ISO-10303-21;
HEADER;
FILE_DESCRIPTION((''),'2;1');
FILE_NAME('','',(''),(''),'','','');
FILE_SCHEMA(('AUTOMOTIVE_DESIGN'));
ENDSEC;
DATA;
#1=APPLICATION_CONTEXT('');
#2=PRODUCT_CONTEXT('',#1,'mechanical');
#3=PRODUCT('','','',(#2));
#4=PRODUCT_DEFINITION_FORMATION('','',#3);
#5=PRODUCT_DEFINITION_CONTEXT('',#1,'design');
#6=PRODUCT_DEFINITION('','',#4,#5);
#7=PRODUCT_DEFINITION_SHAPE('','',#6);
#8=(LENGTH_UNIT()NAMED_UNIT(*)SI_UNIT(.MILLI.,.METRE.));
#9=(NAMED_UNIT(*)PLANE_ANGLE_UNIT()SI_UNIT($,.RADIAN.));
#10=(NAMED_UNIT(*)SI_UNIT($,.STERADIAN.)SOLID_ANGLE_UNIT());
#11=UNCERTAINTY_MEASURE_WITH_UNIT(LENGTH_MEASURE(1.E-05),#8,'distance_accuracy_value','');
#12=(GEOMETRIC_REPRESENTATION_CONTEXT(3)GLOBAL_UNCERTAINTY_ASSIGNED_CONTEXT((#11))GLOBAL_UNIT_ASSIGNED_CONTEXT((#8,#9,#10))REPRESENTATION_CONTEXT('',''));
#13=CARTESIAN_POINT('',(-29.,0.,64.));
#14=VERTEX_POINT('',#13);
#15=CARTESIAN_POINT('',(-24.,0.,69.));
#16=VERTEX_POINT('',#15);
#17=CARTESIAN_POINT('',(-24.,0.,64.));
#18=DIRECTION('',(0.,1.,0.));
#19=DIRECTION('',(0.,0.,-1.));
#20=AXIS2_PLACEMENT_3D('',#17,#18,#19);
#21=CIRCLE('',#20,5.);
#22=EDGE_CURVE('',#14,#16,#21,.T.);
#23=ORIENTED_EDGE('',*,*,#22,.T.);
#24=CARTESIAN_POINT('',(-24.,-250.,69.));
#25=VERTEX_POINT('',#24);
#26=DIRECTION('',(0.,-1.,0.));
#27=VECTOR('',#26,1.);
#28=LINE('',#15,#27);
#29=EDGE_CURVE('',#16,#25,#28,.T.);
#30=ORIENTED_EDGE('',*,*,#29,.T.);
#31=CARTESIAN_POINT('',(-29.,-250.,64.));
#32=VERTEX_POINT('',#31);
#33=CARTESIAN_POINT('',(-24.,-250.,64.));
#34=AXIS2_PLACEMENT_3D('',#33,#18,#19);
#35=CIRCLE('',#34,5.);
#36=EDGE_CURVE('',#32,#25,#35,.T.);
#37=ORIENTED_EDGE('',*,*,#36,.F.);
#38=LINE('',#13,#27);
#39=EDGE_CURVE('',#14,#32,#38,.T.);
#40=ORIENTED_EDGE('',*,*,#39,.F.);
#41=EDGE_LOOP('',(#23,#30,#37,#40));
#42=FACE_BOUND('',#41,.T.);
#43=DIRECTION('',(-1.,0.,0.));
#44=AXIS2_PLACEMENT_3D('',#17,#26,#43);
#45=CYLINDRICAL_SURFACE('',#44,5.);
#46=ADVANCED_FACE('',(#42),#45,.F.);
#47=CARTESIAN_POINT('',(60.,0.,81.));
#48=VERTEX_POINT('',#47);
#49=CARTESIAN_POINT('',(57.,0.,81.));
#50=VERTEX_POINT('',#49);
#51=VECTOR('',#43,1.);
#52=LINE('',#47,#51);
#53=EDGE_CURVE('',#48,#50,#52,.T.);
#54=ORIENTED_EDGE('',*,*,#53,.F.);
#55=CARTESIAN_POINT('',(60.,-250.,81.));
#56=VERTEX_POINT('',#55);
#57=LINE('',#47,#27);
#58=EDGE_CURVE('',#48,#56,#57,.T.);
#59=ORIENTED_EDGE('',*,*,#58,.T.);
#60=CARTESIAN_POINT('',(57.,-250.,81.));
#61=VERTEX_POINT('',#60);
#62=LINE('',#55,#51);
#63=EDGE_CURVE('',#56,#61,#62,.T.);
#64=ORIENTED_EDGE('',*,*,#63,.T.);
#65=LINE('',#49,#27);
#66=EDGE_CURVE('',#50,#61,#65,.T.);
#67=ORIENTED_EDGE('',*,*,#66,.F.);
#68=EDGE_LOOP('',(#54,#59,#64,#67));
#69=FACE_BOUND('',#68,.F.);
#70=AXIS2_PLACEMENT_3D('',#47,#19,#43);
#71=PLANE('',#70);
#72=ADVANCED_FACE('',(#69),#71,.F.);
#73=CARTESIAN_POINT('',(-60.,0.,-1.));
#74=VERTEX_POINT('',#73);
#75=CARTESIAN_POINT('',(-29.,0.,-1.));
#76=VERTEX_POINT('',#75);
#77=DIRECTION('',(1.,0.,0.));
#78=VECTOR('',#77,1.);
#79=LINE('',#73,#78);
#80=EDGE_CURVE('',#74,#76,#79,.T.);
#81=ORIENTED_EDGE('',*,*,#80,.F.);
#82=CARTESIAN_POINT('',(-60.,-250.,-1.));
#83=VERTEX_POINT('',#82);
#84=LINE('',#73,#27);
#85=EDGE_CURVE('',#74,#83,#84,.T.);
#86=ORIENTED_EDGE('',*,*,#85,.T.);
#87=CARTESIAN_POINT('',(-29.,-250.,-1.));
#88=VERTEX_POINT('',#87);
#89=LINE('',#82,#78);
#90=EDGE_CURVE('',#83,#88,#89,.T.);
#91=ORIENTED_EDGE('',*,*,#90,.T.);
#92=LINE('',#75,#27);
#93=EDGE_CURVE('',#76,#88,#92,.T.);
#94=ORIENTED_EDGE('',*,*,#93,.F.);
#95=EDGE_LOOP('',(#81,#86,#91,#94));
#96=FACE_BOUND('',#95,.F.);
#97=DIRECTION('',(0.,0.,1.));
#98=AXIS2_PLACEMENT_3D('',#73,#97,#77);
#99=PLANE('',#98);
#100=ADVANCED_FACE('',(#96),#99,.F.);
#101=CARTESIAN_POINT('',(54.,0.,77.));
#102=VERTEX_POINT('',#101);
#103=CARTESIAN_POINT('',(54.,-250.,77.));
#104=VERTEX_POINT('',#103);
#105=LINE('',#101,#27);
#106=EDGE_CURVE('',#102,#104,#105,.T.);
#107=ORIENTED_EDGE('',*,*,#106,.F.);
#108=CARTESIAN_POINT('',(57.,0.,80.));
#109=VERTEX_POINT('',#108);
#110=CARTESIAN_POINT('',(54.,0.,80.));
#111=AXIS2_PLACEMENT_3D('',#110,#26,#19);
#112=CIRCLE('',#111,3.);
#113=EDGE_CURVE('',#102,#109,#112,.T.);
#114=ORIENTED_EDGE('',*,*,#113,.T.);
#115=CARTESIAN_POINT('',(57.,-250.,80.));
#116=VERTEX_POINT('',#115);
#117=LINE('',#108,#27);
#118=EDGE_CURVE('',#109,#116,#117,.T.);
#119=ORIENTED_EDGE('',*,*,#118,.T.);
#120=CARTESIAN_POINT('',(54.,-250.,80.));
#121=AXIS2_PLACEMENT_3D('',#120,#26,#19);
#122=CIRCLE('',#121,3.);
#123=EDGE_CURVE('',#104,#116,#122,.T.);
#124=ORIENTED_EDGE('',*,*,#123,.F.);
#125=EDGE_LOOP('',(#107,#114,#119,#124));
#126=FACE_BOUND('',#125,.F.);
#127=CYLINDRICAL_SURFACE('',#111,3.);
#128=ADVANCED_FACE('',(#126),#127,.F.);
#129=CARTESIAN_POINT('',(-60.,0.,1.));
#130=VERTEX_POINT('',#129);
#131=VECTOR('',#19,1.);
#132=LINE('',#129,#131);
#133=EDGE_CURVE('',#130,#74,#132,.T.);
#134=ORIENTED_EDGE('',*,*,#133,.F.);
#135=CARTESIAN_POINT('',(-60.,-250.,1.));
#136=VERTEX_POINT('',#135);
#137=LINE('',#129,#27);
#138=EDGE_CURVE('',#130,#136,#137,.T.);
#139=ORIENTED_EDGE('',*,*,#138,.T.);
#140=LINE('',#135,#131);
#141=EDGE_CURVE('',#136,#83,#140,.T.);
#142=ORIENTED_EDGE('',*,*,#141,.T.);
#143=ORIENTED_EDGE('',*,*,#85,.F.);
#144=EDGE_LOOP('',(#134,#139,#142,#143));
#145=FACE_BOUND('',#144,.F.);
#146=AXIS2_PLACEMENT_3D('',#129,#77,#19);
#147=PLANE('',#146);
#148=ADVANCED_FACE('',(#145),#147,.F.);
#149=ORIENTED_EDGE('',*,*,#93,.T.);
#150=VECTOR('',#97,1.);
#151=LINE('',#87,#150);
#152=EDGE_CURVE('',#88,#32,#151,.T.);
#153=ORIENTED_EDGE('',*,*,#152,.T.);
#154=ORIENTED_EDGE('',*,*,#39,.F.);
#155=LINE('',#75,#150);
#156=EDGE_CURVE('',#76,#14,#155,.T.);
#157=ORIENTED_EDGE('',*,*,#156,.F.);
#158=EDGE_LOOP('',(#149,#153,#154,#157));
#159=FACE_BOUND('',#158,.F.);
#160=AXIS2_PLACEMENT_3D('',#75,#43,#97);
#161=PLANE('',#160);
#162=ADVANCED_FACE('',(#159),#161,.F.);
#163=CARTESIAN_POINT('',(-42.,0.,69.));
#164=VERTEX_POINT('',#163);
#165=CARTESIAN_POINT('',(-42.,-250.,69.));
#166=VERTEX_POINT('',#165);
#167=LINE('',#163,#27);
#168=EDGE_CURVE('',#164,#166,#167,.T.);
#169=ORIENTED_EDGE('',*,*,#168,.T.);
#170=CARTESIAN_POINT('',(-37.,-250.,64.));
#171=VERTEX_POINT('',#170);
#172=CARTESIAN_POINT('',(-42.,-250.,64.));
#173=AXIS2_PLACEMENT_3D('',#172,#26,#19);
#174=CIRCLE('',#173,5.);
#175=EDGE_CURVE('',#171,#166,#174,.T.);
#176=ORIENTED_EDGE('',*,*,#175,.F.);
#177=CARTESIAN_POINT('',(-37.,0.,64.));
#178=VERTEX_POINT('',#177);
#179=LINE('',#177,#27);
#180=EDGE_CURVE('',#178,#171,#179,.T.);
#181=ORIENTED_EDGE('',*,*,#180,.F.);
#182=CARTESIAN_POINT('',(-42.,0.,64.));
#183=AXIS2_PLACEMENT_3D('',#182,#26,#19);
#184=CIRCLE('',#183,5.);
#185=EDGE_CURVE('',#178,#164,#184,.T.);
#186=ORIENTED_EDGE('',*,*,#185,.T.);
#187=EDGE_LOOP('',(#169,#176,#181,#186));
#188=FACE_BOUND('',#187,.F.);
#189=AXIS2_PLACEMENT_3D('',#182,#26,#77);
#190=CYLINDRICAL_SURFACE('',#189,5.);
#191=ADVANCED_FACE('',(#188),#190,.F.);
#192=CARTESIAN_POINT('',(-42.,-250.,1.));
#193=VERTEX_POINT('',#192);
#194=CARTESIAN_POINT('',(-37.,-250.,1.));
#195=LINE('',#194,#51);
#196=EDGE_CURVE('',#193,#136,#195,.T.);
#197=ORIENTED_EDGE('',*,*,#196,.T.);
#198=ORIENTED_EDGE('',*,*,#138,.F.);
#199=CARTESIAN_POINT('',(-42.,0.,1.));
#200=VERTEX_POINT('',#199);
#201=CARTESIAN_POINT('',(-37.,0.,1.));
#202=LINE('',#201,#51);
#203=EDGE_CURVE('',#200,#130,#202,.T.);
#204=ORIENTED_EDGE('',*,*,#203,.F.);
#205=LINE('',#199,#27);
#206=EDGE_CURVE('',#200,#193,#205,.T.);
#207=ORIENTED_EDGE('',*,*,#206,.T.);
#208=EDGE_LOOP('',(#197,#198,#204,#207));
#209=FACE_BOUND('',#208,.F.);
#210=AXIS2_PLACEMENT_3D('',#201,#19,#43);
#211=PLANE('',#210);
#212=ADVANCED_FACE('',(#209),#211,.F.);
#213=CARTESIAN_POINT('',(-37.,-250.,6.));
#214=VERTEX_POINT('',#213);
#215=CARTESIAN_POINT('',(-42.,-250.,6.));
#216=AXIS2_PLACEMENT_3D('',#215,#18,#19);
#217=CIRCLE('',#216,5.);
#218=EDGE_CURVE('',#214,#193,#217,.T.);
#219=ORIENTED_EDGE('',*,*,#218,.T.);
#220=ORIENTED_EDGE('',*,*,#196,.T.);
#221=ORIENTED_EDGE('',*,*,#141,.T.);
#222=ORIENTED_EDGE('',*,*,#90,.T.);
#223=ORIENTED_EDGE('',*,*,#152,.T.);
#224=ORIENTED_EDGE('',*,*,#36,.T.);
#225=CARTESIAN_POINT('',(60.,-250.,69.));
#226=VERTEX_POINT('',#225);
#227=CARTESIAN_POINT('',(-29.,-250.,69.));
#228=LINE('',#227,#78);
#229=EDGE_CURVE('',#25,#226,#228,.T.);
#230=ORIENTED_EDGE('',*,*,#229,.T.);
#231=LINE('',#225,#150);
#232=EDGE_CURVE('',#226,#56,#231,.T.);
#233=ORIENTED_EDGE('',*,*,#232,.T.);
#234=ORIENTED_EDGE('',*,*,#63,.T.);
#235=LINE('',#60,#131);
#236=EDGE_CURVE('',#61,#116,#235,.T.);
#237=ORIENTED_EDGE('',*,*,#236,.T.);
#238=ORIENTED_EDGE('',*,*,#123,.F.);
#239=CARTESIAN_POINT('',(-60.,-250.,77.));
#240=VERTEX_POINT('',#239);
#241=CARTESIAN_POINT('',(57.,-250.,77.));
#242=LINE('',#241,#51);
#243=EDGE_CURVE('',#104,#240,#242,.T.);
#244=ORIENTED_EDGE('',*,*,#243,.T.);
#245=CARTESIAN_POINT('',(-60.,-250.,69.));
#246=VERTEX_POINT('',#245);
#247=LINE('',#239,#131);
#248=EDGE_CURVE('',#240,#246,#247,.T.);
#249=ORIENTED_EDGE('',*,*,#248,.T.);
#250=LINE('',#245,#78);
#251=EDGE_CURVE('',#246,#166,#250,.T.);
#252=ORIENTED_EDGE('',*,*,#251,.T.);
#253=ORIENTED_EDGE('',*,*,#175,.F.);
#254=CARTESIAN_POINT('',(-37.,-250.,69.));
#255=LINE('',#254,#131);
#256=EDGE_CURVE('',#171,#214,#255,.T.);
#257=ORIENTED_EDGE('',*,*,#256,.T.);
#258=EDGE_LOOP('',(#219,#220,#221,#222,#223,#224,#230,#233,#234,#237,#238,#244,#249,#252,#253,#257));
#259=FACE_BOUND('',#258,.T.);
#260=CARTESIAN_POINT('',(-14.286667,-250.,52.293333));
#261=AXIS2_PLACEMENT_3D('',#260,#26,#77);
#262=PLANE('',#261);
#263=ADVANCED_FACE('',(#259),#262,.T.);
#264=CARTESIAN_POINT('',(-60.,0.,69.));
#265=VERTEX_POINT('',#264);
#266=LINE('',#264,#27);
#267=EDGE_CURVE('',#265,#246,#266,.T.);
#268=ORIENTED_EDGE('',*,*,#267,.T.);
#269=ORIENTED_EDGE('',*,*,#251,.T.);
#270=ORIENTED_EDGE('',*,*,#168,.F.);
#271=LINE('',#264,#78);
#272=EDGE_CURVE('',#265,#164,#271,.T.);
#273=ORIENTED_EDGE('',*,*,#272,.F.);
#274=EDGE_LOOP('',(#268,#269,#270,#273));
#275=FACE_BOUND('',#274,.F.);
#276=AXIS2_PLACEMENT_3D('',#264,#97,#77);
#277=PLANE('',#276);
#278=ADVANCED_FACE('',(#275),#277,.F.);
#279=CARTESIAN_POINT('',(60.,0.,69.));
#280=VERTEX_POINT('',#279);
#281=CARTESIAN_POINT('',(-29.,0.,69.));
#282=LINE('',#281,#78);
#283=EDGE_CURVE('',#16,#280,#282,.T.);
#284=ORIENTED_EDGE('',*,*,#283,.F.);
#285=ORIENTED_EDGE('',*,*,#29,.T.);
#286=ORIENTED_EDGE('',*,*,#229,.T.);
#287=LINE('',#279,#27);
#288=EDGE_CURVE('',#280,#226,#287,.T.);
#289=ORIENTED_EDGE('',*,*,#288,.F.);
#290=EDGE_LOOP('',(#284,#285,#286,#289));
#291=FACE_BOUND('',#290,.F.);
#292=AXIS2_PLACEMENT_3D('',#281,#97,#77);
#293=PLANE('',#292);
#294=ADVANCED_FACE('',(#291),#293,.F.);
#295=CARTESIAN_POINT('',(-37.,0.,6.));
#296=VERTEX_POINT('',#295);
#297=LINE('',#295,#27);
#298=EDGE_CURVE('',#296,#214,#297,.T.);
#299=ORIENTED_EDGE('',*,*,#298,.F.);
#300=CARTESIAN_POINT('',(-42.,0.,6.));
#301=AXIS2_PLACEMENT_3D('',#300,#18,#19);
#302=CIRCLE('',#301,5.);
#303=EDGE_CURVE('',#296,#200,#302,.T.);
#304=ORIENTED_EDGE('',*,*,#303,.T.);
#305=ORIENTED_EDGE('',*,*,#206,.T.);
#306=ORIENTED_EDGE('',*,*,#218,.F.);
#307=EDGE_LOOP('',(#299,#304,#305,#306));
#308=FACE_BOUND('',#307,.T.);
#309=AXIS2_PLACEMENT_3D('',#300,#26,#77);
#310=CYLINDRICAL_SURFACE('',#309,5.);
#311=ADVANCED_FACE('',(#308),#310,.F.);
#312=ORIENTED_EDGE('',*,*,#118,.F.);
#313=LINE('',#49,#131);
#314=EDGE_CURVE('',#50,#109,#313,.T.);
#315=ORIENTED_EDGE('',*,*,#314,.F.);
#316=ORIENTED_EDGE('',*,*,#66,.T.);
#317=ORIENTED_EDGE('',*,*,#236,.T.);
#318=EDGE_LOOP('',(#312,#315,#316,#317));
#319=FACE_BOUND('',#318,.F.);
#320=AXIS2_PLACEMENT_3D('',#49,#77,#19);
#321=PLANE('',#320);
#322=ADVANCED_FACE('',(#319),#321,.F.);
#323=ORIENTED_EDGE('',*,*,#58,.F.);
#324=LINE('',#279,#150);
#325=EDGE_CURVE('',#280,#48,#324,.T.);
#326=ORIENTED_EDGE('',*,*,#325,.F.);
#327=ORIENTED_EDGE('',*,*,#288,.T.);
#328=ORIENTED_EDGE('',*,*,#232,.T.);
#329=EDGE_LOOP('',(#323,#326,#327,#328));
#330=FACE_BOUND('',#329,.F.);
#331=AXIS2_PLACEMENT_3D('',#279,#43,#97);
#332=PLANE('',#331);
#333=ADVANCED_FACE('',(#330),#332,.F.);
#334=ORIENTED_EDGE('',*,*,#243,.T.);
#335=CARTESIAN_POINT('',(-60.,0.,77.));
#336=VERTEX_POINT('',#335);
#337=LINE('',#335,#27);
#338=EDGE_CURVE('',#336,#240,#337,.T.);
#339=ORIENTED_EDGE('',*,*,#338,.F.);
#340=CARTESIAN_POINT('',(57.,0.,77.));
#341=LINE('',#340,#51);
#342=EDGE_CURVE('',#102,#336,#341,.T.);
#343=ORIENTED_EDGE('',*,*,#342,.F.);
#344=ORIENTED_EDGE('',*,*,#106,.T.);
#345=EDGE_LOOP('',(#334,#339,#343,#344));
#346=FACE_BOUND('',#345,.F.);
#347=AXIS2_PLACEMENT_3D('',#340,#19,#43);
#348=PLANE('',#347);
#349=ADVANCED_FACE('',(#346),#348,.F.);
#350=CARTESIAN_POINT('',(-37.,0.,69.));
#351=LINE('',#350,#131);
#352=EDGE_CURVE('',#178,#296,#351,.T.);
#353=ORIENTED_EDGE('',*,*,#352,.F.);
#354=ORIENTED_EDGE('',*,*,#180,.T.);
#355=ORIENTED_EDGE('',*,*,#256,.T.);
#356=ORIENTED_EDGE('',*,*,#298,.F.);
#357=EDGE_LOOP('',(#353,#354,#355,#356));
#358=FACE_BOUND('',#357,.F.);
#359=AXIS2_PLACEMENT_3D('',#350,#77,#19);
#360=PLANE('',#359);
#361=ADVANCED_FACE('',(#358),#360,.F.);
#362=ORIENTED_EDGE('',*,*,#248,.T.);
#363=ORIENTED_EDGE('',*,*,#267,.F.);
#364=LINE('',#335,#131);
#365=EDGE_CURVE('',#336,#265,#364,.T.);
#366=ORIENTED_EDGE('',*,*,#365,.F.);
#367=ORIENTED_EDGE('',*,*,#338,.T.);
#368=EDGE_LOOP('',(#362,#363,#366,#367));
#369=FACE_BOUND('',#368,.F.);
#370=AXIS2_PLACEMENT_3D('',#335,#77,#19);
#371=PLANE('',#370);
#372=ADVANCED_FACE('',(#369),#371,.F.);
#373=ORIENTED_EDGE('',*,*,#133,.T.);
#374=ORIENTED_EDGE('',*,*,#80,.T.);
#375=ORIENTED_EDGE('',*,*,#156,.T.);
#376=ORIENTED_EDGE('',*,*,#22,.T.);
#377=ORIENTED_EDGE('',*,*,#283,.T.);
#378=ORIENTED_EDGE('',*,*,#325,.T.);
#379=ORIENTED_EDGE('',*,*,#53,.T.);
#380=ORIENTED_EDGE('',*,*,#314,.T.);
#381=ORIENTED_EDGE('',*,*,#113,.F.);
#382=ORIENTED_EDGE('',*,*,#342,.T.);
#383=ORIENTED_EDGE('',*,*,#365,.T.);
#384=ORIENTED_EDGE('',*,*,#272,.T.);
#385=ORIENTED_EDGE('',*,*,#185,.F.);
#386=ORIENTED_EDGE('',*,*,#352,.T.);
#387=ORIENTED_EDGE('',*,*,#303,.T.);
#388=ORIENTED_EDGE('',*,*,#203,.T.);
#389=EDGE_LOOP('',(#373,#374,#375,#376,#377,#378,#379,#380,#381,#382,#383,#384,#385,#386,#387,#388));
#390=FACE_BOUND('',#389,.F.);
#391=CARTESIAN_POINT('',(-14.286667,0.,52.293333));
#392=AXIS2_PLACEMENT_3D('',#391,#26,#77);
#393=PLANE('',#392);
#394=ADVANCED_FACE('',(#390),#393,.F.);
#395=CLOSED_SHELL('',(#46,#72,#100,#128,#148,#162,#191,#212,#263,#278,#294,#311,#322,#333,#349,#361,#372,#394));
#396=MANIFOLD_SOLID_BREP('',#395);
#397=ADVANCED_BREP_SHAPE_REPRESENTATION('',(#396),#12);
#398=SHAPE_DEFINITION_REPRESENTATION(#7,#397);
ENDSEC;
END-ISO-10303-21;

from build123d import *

# Parameters (mm, degrees)
PAD_DEPTH   = 250
FILLET_R    = 5
FILLET001_R = 5
FILLET002_R = 5
FILLET003_R = 3


with BuildPart() as part:
    # Sketch → Pad (new body)
    with BuildSketch(Plane.XZ):
        Polygon((57, 77), (-60, 77), (-60, 69), (-37, 69), (-37, 1), (-60, 1), (-60, -1), (-37, -1), (-29, -1), (-29, 69), (60, 69), (60, 77), (60, 81), (57, 81), align=None)
    extrude(amount=PAD_DEPTH)

    # Fillet
    fillet_edges = [part.edges().sort_by_distance(p)[0] for p in [
        (-29, -125, 69),
    ]]
    fillet(fillet_edges, radius=FILLET_R)

    # Fillet001
    fillet001_edges = [part.edges().sort_by_distance(p)[0] for p in [
        (-37, -125, 69),
    ]]
    fillet(fillet001_edges, radius=FILLET001_R)

    # Fillet002
    fillet002_edges = [part.edges().sort_by_distance(p)[0] for p in [
        (-37, -125, 1),
    ]]
    fillet(fillet002_edges, radius=FILLET002_R)

    # Fillet003
    fillet003_edges = [part.edges().sort_by_distance(p)[0] for p in [
        (57, -125, 77),
    ]]
    fillet(fillet003_edges, radius=FILLET003_R)


solid = part.part
